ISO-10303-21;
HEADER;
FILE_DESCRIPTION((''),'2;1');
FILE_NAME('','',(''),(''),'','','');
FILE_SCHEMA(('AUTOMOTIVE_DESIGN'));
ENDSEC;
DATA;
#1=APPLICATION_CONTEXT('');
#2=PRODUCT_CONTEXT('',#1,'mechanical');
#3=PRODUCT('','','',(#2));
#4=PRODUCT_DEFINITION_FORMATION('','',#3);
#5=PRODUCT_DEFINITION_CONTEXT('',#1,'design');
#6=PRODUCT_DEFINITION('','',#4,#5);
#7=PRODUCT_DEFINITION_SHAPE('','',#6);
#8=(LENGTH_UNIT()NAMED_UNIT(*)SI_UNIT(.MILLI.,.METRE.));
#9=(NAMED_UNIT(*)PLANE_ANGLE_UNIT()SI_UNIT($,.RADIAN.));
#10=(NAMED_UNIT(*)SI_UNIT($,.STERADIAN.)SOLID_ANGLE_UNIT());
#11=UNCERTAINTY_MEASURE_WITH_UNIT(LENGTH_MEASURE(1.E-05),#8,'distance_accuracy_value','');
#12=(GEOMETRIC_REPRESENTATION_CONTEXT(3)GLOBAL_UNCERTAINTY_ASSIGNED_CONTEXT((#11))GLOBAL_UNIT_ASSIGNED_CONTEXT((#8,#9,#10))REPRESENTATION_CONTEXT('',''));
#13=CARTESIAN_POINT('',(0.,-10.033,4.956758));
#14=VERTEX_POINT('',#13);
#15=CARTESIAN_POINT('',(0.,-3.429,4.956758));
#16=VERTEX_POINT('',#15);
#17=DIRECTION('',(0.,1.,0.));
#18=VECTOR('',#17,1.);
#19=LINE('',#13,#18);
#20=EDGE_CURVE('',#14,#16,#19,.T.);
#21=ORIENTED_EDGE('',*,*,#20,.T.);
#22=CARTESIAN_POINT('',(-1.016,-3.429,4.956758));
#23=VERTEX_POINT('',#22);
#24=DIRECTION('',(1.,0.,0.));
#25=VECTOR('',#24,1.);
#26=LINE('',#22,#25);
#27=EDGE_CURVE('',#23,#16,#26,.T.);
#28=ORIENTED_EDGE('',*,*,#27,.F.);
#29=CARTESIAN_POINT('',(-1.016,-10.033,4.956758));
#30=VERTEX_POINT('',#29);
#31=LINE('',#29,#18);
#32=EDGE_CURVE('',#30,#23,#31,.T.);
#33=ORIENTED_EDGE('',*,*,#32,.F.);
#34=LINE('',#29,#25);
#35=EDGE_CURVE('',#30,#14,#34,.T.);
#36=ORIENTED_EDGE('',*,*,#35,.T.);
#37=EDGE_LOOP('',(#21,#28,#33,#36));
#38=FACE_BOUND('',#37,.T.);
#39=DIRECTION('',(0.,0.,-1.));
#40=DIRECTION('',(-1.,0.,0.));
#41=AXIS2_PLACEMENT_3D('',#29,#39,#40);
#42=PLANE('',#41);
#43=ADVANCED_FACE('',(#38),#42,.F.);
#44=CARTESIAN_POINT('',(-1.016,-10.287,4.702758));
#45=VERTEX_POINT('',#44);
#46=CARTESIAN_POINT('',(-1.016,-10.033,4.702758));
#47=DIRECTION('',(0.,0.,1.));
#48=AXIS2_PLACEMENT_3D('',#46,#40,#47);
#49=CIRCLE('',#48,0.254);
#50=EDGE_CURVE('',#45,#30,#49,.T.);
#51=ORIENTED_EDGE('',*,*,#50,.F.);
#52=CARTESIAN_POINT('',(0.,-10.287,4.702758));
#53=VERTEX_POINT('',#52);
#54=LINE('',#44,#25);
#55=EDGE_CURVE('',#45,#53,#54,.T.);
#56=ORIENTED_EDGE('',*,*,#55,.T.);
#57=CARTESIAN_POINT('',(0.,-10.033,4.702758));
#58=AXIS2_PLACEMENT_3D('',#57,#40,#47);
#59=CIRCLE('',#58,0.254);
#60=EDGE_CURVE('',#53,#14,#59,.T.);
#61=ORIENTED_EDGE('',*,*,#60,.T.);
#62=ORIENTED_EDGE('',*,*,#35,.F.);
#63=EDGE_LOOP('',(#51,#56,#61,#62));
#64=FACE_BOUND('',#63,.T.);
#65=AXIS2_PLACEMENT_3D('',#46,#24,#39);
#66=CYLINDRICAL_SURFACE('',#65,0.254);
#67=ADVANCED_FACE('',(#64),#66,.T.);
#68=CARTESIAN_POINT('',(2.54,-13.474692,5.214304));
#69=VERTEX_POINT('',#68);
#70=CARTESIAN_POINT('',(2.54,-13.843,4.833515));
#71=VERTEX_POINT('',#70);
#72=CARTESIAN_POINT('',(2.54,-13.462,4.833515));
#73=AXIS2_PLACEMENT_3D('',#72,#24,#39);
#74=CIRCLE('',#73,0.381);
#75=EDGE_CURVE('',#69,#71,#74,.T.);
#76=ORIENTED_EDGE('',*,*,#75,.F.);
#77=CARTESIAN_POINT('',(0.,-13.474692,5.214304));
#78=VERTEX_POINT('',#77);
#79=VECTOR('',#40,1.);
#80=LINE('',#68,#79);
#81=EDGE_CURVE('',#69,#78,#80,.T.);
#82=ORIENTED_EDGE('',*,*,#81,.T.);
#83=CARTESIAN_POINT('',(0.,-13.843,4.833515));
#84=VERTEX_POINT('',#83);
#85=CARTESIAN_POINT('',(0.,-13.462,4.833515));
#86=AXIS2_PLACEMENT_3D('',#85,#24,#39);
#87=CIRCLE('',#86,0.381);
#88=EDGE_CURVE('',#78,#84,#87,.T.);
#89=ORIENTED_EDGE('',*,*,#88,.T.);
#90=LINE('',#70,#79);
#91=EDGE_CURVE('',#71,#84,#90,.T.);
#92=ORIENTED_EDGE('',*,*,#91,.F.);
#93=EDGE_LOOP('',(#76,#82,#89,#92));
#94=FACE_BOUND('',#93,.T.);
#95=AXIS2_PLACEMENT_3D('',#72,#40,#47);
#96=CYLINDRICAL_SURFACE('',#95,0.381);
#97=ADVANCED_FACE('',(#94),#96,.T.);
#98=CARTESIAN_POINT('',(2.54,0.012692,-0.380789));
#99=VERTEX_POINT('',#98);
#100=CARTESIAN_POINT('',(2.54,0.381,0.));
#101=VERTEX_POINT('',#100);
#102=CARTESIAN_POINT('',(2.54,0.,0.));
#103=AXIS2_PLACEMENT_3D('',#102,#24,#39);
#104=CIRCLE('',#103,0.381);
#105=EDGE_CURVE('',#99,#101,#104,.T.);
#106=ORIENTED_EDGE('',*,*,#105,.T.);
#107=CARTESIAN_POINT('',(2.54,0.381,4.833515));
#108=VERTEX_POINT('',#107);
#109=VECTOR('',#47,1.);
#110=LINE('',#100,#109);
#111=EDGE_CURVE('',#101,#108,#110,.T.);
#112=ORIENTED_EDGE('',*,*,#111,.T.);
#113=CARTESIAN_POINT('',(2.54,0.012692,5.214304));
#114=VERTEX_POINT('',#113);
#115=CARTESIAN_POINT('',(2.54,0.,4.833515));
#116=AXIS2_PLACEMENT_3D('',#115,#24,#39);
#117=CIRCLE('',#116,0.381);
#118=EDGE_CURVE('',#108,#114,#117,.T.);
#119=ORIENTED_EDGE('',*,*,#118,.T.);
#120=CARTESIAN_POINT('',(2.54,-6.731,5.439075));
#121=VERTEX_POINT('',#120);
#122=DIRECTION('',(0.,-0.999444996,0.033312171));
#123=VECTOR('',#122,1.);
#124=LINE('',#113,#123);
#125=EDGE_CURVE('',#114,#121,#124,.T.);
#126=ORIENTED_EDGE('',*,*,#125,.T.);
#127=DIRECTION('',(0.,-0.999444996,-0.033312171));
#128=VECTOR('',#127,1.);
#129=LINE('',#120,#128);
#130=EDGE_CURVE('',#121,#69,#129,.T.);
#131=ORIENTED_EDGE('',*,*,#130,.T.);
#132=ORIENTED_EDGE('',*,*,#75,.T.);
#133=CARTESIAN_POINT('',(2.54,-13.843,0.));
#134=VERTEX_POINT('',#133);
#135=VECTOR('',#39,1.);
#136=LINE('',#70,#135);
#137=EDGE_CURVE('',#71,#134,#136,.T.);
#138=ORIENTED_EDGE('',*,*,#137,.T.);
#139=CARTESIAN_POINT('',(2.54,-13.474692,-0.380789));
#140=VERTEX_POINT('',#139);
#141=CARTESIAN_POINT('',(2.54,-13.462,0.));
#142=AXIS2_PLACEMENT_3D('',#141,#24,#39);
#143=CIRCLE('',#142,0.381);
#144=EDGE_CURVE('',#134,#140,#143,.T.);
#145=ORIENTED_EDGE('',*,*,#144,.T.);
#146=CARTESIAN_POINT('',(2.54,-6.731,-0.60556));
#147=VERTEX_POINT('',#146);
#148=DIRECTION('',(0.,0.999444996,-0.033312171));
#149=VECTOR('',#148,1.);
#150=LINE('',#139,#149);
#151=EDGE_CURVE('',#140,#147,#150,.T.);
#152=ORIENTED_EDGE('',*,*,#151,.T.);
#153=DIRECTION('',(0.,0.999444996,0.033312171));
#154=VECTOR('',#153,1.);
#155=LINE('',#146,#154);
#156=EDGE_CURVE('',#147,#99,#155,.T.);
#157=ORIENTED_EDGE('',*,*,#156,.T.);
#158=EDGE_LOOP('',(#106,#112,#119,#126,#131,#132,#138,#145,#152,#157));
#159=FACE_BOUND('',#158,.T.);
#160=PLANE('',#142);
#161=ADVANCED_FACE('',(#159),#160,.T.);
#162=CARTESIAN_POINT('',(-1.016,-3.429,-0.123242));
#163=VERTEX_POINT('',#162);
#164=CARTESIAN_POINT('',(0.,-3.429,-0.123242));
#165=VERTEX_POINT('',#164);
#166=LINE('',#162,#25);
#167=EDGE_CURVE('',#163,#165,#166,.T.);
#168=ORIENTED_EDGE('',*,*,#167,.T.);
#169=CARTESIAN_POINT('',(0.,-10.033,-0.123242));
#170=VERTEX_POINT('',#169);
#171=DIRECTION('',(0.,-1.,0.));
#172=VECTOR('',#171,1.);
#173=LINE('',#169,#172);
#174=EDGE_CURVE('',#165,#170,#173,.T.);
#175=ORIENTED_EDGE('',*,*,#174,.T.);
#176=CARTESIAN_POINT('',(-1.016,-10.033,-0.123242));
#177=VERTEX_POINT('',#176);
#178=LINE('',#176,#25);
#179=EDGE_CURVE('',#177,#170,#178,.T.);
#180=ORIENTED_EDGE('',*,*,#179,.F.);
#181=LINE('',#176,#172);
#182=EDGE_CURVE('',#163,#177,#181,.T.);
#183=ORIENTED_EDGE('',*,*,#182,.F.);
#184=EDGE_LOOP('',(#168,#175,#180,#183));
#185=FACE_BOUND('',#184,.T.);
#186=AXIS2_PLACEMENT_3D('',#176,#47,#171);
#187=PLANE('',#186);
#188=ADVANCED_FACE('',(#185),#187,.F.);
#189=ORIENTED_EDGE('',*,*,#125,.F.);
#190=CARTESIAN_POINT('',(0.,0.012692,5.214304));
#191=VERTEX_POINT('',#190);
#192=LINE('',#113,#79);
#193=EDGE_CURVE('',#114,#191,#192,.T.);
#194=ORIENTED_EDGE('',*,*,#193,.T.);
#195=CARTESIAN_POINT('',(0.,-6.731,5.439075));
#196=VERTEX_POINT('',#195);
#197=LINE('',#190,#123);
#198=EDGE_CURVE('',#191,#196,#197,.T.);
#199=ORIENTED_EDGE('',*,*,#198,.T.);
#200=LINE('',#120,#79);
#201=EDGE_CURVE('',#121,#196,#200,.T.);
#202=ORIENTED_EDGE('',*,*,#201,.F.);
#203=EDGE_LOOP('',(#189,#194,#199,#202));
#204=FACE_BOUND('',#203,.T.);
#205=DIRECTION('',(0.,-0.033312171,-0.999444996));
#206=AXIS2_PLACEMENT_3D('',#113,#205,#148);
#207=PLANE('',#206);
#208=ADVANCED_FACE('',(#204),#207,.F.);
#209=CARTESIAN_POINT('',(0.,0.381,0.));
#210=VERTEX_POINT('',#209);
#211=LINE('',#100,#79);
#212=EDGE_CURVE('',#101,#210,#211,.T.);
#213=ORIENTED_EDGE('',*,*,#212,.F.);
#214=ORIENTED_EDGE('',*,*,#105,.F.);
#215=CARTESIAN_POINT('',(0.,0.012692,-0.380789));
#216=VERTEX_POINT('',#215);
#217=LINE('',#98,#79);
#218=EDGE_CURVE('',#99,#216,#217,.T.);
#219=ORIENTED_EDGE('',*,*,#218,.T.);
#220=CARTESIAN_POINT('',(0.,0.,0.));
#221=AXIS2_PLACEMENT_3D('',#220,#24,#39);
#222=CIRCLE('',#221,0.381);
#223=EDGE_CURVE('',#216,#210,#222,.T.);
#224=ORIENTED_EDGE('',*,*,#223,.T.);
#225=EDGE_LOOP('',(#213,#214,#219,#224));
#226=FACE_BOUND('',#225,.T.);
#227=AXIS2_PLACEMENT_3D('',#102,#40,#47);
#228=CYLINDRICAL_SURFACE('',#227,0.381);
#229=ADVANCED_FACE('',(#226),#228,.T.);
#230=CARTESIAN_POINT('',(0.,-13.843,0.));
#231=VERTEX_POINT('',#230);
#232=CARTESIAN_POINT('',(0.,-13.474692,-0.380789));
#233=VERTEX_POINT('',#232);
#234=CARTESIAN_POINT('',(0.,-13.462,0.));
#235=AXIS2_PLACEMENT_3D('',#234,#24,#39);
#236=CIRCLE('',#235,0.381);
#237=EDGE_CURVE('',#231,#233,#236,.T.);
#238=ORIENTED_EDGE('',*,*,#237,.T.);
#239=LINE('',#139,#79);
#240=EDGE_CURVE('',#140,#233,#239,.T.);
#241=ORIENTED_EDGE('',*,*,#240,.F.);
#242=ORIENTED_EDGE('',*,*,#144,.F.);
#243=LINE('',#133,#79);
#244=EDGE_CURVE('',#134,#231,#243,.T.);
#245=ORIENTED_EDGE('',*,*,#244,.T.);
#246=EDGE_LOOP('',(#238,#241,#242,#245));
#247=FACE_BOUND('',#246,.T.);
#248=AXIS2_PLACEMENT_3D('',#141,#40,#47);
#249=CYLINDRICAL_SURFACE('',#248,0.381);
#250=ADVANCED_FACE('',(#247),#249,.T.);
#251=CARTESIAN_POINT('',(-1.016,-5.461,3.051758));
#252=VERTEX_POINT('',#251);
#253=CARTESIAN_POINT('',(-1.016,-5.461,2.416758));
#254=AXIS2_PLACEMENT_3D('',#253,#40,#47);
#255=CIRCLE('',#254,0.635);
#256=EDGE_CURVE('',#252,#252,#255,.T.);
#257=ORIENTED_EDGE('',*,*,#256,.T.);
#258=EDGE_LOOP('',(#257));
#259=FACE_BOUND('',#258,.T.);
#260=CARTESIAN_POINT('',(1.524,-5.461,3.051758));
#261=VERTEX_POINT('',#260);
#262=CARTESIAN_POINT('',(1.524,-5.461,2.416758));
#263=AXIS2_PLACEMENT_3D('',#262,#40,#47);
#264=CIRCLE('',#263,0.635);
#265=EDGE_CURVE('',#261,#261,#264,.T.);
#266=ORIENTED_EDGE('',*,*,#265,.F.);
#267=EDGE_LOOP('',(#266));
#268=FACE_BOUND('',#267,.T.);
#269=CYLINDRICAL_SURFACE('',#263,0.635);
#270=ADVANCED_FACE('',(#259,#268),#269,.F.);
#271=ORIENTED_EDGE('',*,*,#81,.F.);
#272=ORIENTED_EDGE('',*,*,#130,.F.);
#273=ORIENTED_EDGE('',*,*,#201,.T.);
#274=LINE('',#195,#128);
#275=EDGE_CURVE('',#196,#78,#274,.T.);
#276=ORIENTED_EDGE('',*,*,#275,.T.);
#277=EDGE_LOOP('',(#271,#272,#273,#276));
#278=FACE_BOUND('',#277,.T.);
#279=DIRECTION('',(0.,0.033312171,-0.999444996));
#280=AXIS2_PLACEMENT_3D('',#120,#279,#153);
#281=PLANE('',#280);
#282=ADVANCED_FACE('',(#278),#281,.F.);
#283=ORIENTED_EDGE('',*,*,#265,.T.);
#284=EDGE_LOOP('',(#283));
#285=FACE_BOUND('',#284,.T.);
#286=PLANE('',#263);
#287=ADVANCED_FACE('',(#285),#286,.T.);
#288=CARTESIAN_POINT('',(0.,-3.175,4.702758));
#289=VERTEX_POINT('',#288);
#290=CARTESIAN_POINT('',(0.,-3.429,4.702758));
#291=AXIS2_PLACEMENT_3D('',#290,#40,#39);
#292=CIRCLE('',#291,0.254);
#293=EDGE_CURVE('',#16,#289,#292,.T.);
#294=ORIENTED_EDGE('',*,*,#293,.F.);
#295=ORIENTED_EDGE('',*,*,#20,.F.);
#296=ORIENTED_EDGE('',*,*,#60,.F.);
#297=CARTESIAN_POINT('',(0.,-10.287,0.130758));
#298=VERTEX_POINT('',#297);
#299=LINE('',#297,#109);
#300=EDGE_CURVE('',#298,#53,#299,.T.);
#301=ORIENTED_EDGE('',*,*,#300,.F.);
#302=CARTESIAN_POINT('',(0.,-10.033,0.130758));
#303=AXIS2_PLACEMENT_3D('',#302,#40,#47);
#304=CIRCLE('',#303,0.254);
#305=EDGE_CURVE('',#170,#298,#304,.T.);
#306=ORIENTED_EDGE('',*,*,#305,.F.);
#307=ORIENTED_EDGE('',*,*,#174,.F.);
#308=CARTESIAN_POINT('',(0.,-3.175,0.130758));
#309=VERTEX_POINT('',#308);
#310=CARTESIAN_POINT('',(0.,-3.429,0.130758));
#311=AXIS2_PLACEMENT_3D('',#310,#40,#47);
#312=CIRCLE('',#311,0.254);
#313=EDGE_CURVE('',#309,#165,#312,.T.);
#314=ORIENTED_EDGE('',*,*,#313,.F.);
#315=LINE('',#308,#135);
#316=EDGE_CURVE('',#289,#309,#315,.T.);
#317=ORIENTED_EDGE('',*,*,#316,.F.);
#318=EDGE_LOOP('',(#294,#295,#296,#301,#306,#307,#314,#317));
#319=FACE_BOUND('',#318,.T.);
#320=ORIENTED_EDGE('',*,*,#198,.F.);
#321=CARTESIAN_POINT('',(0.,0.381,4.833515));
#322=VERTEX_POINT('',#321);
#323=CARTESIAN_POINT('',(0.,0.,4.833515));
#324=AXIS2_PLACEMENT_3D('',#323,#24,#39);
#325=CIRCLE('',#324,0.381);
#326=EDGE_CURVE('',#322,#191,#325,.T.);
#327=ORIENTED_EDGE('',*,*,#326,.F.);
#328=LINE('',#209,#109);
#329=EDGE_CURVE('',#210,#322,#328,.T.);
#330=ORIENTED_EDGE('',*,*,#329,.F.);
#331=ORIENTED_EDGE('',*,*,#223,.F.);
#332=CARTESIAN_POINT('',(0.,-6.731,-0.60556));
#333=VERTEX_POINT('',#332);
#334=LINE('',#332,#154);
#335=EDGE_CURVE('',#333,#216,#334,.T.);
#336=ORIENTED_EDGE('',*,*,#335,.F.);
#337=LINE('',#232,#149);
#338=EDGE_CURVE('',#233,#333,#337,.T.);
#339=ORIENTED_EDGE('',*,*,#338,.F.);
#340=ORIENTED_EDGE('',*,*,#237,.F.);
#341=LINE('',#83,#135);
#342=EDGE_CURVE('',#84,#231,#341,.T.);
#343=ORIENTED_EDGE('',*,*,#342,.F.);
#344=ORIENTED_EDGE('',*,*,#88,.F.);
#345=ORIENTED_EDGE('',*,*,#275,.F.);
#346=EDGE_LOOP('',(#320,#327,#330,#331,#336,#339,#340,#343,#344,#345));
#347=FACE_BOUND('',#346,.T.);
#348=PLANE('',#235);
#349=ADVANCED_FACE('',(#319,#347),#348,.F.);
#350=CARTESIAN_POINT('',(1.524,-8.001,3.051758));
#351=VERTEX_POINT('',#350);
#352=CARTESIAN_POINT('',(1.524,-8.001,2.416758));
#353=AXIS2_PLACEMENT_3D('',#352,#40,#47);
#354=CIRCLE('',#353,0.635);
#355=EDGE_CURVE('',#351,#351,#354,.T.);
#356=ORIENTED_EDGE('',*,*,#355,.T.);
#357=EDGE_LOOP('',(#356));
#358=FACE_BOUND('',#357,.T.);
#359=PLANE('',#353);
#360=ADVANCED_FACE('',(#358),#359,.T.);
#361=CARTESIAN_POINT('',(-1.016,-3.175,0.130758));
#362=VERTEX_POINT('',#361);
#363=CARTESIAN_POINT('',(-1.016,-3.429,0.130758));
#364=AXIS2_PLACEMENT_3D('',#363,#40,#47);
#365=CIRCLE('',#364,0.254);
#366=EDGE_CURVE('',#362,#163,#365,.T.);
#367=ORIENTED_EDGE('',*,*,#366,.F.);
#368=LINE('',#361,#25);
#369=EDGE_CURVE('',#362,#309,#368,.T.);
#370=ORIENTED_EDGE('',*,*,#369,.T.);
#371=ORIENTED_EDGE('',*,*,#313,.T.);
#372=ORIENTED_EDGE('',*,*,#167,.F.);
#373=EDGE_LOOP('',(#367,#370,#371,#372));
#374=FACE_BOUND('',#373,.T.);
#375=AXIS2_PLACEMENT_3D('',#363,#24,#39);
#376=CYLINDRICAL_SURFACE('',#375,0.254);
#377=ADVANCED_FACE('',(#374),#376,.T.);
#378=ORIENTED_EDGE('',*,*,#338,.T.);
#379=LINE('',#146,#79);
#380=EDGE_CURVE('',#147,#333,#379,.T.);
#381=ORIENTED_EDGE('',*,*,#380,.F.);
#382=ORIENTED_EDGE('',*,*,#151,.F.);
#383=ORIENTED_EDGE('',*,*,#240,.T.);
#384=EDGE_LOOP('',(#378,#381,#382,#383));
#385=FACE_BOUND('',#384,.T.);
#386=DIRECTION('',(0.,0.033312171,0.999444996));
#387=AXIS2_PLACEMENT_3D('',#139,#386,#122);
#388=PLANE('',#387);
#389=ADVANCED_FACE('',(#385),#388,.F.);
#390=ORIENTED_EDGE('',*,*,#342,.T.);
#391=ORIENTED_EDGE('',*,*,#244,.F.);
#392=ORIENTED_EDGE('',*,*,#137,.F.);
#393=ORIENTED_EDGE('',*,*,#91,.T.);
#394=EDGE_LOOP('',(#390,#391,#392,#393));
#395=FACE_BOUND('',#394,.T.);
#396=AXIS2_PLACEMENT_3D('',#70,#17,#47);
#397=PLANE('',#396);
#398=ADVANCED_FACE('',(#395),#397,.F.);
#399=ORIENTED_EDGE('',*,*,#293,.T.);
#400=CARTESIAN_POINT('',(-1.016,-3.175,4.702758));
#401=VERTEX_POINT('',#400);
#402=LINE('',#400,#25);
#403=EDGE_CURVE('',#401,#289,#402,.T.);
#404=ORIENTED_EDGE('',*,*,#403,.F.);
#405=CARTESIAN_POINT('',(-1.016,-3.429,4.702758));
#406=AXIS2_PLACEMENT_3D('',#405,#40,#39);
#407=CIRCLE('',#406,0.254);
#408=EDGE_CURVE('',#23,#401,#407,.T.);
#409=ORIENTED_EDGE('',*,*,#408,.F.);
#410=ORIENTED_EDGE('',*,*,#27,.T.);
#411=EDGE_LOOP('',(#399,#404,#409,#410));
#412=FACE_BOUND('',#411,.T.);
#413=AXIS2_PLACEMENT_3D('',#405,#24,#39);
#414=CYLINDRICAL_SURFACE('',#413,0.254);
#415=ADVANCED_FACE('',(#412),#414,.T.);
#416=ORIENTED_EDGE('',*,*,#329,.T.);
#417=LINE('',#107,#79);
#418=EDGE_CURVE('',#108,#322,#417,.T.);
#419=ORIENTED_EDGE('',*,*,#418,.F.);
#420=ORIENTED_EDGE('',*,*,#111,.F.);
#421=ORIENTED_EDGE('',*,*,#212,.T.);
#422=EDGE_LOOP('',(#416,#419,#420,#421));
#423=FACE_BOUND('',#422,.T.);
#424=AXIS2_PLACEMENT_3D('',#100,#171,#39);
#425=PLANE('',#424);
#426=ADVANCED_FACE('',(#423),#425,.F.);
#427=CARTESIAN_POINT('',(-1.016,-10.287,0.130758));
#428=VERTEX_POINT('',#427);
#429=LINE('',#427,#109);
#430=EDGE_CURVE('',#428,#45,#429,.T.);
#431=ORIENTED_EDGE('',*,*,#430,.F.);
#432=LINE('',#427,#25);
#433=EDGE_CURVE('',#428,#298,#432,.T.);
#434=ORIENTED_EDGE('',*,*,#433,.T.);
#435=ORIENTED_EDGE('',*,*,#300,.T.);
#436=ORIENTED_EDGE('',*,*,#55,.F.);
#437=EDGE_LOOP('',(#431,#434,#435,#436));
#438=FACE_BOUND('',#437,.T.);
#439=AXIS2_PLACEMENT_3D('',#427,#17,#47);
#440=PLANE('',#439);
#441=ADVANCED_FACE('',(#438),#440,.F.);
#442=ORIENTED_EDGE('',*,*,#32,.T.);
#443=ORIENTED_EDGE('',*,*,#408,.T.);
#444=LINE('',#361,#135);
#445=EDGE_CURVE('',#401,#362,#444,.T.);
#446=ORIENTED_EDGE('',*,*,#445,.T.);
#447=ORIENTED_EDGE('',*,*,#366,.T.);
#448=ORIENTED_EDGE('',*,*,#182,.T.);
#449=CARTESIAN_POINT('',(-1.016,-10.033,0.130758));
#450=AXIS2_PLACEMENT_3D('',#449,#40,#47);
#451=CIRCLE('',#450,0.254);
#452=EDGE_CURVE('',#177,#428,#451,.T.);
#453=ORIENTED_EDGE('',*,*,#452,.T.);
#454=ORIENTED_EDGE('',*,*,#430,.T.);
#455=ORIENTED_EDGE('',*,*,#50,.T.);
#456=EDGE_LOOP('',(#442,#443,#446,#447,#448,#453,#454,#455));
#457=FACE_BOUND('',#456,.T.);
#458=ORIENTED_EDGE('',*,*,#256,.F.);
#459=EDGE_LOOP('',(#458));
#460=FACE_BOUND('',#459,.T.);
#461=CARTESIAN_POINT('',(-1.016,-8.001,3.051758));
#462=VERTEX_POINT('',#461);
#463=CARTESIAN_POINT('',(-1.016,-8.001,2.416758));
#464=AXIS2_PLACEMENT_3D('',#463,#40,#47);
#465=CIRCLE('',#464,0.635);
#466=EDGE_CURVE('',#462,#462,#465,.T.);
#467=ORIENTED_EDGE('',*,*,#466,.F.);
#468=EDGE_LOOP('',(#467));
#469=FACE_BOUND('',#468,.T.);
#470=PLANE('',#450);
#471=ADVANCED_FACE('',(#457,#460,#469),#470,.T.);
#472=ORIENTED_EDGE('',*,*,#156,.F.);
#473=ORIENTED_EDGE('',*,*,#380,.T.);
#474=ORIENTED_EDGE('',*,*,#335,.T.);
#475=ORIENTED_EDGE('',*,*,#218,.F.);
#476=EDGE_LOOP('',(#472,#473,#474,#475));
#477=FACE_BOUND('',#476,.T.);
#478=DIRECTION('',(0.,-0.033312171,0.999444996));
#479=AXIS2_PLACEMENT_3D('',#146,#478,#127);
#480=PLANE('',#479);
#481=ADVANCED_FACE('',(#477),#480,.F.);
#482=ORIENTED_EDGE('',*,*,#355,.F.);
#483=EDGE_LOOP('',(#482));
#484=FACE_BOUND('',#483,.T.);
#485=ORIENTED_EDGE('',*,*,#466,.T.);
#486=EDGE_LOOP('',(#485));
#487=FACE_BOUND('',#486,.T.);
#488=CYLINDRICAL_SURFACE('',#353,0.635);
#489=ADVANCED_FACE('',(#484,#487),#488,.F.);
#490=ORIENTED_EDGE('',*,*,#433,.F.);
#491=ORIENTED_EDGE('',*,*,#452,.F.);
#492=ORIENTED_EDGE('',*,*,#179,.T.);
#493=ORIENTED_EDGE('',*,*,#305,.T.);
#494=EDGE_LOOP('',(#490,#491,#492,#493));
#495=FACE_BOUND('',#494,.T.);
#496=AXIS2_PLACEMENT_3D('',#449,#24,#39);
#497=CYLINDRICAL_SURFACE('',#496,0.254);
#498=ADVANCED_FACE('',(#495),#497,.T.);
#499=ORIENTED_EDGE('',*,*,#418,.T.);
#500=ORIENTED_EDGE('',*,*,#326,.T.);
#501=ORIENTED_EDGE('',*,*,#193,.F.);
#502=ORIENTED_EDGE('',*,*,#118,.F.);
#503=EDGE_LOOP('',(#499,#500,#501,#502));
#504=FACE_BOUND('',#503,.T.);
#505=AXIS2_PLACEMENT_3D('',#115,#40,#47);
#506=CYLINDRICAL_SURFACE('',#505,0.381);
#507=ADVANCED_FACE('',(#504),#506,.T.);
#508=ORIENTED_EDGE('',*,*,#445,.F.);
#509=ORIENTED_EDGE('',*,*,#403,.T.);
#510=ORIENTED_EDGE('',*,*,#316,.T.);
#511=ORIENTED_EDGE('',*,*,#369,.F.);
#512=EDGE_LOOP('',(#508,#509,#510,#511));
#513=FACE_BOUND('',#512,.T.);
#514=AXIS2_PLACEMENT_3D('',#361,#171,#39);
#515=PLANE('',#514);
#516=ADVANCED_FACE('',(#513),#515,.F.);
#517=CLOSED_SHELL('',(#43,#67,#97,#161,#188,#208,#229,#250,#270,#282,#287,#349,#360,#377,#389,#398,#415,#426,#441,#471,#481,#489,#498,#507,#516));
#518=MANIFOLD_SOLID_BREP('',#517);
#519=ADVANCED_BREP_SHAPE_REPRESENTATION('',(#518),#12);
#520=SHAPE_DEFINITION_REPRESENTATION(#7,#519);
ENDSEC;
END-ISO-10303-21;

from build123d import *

# Parameters (mm, degrees)
BOSS_EXTRUDE1_DEPTH = 2.54
BOSS_EXTRUDE2_DEPTH = 1.016
SKETCH6_R           = 0.635
CUT_EXTRUDE1_DEPTH  = 2.54


with BuildPart() as part:
    # Sketch1 → Boss-Extrude1 (new body)
    with BuildSketch(Plane(origin=(0, 0, 0), x_dir=(0, 0, -1), z_dir=(1, 0, 0))):
        with BuildLine():
            Line((0.380788543, -13.474691937), (0.605560313, -6.731))
            Line((0.605560313, -6.731), (0.380788543, 0.012691937))
            ThreePointArc((0.380788543, 0.012691937), (0.2648824, 0.273858201), (0, 0.381))
            Line((0, 0.381), (-4.833515176, 0.381))
            ThreePointArc((-4.833515176, 0.381), (-5.098397576, 0.273858201), (-5.214303719, 0.012691937))
            Line((-5.214303719, 0.012691937), (-5.439075489, -6.731))
            Line((-5.439075489, -6.731), (-5.214303719, -13.474691937))
            ThreePointArc((-5.214303719, -13.474691937), (-5.098397576, -13.735858201), (-4.833515176, -13.843))
            Line((-4.833515176, -13.843), (0, -13.843))
            ThreePointArc((0, -13.843), (0.2648824, -13.735858201), (0.380788543, -13.474691937))
        make_face()
    extrude(amount=BOSS_EXTRUDE1_DEPTH)

    # Sketch5 → Boss-Extrude2 (add)
    with BuildSketch(Plane.ZY):
        with BuildLine():
            Line((0.130757588, -10.287), (4.702757588, -10.287))
            ThreePointArc((4.702757588, -10.287), (4.88236271, -10.212605122), (4.956757588, -10.033))
            Line((4.956757588, -10.033), (4.956757588, -3.429))
            ThreePointArc((4.956757588, -3.429), (4.88236271, -3.249394878), (4.702757588, -3.175))
            Line((4.702757588, -3.175), (0.130757588, -3.175))
            ThreePointArc((0.130757588, -3.175), (-0.048847535, -3.249394878), (-0.123242412, -3.429))
            Line((-0.123242412, -3.429), (-0.123242412, -10.033))
            ThreePointArc((-0.123242412, -10.033), (-0.048847535, -10.212605122), (0.130757588, -10.287))
        make_face()
    extrude(amount=BOSS_EXTRUDE2_DEPTH)

    # Sketch6 → Cut-Extrude1 (cut)
    with BuildSketch(Plane.ZY.offset(1.016)):
        with Locations((2.416757588, -5.461)):
            Circle(SKETCH6_R)
        with Locations((2.416757588, -8.001)):
            Circle(SKETCH6_R)
    extrude(amount=-CUT_EXTRUDE1_DEPTH, mode=Mode.SUBTRACT)


solid = part.part
